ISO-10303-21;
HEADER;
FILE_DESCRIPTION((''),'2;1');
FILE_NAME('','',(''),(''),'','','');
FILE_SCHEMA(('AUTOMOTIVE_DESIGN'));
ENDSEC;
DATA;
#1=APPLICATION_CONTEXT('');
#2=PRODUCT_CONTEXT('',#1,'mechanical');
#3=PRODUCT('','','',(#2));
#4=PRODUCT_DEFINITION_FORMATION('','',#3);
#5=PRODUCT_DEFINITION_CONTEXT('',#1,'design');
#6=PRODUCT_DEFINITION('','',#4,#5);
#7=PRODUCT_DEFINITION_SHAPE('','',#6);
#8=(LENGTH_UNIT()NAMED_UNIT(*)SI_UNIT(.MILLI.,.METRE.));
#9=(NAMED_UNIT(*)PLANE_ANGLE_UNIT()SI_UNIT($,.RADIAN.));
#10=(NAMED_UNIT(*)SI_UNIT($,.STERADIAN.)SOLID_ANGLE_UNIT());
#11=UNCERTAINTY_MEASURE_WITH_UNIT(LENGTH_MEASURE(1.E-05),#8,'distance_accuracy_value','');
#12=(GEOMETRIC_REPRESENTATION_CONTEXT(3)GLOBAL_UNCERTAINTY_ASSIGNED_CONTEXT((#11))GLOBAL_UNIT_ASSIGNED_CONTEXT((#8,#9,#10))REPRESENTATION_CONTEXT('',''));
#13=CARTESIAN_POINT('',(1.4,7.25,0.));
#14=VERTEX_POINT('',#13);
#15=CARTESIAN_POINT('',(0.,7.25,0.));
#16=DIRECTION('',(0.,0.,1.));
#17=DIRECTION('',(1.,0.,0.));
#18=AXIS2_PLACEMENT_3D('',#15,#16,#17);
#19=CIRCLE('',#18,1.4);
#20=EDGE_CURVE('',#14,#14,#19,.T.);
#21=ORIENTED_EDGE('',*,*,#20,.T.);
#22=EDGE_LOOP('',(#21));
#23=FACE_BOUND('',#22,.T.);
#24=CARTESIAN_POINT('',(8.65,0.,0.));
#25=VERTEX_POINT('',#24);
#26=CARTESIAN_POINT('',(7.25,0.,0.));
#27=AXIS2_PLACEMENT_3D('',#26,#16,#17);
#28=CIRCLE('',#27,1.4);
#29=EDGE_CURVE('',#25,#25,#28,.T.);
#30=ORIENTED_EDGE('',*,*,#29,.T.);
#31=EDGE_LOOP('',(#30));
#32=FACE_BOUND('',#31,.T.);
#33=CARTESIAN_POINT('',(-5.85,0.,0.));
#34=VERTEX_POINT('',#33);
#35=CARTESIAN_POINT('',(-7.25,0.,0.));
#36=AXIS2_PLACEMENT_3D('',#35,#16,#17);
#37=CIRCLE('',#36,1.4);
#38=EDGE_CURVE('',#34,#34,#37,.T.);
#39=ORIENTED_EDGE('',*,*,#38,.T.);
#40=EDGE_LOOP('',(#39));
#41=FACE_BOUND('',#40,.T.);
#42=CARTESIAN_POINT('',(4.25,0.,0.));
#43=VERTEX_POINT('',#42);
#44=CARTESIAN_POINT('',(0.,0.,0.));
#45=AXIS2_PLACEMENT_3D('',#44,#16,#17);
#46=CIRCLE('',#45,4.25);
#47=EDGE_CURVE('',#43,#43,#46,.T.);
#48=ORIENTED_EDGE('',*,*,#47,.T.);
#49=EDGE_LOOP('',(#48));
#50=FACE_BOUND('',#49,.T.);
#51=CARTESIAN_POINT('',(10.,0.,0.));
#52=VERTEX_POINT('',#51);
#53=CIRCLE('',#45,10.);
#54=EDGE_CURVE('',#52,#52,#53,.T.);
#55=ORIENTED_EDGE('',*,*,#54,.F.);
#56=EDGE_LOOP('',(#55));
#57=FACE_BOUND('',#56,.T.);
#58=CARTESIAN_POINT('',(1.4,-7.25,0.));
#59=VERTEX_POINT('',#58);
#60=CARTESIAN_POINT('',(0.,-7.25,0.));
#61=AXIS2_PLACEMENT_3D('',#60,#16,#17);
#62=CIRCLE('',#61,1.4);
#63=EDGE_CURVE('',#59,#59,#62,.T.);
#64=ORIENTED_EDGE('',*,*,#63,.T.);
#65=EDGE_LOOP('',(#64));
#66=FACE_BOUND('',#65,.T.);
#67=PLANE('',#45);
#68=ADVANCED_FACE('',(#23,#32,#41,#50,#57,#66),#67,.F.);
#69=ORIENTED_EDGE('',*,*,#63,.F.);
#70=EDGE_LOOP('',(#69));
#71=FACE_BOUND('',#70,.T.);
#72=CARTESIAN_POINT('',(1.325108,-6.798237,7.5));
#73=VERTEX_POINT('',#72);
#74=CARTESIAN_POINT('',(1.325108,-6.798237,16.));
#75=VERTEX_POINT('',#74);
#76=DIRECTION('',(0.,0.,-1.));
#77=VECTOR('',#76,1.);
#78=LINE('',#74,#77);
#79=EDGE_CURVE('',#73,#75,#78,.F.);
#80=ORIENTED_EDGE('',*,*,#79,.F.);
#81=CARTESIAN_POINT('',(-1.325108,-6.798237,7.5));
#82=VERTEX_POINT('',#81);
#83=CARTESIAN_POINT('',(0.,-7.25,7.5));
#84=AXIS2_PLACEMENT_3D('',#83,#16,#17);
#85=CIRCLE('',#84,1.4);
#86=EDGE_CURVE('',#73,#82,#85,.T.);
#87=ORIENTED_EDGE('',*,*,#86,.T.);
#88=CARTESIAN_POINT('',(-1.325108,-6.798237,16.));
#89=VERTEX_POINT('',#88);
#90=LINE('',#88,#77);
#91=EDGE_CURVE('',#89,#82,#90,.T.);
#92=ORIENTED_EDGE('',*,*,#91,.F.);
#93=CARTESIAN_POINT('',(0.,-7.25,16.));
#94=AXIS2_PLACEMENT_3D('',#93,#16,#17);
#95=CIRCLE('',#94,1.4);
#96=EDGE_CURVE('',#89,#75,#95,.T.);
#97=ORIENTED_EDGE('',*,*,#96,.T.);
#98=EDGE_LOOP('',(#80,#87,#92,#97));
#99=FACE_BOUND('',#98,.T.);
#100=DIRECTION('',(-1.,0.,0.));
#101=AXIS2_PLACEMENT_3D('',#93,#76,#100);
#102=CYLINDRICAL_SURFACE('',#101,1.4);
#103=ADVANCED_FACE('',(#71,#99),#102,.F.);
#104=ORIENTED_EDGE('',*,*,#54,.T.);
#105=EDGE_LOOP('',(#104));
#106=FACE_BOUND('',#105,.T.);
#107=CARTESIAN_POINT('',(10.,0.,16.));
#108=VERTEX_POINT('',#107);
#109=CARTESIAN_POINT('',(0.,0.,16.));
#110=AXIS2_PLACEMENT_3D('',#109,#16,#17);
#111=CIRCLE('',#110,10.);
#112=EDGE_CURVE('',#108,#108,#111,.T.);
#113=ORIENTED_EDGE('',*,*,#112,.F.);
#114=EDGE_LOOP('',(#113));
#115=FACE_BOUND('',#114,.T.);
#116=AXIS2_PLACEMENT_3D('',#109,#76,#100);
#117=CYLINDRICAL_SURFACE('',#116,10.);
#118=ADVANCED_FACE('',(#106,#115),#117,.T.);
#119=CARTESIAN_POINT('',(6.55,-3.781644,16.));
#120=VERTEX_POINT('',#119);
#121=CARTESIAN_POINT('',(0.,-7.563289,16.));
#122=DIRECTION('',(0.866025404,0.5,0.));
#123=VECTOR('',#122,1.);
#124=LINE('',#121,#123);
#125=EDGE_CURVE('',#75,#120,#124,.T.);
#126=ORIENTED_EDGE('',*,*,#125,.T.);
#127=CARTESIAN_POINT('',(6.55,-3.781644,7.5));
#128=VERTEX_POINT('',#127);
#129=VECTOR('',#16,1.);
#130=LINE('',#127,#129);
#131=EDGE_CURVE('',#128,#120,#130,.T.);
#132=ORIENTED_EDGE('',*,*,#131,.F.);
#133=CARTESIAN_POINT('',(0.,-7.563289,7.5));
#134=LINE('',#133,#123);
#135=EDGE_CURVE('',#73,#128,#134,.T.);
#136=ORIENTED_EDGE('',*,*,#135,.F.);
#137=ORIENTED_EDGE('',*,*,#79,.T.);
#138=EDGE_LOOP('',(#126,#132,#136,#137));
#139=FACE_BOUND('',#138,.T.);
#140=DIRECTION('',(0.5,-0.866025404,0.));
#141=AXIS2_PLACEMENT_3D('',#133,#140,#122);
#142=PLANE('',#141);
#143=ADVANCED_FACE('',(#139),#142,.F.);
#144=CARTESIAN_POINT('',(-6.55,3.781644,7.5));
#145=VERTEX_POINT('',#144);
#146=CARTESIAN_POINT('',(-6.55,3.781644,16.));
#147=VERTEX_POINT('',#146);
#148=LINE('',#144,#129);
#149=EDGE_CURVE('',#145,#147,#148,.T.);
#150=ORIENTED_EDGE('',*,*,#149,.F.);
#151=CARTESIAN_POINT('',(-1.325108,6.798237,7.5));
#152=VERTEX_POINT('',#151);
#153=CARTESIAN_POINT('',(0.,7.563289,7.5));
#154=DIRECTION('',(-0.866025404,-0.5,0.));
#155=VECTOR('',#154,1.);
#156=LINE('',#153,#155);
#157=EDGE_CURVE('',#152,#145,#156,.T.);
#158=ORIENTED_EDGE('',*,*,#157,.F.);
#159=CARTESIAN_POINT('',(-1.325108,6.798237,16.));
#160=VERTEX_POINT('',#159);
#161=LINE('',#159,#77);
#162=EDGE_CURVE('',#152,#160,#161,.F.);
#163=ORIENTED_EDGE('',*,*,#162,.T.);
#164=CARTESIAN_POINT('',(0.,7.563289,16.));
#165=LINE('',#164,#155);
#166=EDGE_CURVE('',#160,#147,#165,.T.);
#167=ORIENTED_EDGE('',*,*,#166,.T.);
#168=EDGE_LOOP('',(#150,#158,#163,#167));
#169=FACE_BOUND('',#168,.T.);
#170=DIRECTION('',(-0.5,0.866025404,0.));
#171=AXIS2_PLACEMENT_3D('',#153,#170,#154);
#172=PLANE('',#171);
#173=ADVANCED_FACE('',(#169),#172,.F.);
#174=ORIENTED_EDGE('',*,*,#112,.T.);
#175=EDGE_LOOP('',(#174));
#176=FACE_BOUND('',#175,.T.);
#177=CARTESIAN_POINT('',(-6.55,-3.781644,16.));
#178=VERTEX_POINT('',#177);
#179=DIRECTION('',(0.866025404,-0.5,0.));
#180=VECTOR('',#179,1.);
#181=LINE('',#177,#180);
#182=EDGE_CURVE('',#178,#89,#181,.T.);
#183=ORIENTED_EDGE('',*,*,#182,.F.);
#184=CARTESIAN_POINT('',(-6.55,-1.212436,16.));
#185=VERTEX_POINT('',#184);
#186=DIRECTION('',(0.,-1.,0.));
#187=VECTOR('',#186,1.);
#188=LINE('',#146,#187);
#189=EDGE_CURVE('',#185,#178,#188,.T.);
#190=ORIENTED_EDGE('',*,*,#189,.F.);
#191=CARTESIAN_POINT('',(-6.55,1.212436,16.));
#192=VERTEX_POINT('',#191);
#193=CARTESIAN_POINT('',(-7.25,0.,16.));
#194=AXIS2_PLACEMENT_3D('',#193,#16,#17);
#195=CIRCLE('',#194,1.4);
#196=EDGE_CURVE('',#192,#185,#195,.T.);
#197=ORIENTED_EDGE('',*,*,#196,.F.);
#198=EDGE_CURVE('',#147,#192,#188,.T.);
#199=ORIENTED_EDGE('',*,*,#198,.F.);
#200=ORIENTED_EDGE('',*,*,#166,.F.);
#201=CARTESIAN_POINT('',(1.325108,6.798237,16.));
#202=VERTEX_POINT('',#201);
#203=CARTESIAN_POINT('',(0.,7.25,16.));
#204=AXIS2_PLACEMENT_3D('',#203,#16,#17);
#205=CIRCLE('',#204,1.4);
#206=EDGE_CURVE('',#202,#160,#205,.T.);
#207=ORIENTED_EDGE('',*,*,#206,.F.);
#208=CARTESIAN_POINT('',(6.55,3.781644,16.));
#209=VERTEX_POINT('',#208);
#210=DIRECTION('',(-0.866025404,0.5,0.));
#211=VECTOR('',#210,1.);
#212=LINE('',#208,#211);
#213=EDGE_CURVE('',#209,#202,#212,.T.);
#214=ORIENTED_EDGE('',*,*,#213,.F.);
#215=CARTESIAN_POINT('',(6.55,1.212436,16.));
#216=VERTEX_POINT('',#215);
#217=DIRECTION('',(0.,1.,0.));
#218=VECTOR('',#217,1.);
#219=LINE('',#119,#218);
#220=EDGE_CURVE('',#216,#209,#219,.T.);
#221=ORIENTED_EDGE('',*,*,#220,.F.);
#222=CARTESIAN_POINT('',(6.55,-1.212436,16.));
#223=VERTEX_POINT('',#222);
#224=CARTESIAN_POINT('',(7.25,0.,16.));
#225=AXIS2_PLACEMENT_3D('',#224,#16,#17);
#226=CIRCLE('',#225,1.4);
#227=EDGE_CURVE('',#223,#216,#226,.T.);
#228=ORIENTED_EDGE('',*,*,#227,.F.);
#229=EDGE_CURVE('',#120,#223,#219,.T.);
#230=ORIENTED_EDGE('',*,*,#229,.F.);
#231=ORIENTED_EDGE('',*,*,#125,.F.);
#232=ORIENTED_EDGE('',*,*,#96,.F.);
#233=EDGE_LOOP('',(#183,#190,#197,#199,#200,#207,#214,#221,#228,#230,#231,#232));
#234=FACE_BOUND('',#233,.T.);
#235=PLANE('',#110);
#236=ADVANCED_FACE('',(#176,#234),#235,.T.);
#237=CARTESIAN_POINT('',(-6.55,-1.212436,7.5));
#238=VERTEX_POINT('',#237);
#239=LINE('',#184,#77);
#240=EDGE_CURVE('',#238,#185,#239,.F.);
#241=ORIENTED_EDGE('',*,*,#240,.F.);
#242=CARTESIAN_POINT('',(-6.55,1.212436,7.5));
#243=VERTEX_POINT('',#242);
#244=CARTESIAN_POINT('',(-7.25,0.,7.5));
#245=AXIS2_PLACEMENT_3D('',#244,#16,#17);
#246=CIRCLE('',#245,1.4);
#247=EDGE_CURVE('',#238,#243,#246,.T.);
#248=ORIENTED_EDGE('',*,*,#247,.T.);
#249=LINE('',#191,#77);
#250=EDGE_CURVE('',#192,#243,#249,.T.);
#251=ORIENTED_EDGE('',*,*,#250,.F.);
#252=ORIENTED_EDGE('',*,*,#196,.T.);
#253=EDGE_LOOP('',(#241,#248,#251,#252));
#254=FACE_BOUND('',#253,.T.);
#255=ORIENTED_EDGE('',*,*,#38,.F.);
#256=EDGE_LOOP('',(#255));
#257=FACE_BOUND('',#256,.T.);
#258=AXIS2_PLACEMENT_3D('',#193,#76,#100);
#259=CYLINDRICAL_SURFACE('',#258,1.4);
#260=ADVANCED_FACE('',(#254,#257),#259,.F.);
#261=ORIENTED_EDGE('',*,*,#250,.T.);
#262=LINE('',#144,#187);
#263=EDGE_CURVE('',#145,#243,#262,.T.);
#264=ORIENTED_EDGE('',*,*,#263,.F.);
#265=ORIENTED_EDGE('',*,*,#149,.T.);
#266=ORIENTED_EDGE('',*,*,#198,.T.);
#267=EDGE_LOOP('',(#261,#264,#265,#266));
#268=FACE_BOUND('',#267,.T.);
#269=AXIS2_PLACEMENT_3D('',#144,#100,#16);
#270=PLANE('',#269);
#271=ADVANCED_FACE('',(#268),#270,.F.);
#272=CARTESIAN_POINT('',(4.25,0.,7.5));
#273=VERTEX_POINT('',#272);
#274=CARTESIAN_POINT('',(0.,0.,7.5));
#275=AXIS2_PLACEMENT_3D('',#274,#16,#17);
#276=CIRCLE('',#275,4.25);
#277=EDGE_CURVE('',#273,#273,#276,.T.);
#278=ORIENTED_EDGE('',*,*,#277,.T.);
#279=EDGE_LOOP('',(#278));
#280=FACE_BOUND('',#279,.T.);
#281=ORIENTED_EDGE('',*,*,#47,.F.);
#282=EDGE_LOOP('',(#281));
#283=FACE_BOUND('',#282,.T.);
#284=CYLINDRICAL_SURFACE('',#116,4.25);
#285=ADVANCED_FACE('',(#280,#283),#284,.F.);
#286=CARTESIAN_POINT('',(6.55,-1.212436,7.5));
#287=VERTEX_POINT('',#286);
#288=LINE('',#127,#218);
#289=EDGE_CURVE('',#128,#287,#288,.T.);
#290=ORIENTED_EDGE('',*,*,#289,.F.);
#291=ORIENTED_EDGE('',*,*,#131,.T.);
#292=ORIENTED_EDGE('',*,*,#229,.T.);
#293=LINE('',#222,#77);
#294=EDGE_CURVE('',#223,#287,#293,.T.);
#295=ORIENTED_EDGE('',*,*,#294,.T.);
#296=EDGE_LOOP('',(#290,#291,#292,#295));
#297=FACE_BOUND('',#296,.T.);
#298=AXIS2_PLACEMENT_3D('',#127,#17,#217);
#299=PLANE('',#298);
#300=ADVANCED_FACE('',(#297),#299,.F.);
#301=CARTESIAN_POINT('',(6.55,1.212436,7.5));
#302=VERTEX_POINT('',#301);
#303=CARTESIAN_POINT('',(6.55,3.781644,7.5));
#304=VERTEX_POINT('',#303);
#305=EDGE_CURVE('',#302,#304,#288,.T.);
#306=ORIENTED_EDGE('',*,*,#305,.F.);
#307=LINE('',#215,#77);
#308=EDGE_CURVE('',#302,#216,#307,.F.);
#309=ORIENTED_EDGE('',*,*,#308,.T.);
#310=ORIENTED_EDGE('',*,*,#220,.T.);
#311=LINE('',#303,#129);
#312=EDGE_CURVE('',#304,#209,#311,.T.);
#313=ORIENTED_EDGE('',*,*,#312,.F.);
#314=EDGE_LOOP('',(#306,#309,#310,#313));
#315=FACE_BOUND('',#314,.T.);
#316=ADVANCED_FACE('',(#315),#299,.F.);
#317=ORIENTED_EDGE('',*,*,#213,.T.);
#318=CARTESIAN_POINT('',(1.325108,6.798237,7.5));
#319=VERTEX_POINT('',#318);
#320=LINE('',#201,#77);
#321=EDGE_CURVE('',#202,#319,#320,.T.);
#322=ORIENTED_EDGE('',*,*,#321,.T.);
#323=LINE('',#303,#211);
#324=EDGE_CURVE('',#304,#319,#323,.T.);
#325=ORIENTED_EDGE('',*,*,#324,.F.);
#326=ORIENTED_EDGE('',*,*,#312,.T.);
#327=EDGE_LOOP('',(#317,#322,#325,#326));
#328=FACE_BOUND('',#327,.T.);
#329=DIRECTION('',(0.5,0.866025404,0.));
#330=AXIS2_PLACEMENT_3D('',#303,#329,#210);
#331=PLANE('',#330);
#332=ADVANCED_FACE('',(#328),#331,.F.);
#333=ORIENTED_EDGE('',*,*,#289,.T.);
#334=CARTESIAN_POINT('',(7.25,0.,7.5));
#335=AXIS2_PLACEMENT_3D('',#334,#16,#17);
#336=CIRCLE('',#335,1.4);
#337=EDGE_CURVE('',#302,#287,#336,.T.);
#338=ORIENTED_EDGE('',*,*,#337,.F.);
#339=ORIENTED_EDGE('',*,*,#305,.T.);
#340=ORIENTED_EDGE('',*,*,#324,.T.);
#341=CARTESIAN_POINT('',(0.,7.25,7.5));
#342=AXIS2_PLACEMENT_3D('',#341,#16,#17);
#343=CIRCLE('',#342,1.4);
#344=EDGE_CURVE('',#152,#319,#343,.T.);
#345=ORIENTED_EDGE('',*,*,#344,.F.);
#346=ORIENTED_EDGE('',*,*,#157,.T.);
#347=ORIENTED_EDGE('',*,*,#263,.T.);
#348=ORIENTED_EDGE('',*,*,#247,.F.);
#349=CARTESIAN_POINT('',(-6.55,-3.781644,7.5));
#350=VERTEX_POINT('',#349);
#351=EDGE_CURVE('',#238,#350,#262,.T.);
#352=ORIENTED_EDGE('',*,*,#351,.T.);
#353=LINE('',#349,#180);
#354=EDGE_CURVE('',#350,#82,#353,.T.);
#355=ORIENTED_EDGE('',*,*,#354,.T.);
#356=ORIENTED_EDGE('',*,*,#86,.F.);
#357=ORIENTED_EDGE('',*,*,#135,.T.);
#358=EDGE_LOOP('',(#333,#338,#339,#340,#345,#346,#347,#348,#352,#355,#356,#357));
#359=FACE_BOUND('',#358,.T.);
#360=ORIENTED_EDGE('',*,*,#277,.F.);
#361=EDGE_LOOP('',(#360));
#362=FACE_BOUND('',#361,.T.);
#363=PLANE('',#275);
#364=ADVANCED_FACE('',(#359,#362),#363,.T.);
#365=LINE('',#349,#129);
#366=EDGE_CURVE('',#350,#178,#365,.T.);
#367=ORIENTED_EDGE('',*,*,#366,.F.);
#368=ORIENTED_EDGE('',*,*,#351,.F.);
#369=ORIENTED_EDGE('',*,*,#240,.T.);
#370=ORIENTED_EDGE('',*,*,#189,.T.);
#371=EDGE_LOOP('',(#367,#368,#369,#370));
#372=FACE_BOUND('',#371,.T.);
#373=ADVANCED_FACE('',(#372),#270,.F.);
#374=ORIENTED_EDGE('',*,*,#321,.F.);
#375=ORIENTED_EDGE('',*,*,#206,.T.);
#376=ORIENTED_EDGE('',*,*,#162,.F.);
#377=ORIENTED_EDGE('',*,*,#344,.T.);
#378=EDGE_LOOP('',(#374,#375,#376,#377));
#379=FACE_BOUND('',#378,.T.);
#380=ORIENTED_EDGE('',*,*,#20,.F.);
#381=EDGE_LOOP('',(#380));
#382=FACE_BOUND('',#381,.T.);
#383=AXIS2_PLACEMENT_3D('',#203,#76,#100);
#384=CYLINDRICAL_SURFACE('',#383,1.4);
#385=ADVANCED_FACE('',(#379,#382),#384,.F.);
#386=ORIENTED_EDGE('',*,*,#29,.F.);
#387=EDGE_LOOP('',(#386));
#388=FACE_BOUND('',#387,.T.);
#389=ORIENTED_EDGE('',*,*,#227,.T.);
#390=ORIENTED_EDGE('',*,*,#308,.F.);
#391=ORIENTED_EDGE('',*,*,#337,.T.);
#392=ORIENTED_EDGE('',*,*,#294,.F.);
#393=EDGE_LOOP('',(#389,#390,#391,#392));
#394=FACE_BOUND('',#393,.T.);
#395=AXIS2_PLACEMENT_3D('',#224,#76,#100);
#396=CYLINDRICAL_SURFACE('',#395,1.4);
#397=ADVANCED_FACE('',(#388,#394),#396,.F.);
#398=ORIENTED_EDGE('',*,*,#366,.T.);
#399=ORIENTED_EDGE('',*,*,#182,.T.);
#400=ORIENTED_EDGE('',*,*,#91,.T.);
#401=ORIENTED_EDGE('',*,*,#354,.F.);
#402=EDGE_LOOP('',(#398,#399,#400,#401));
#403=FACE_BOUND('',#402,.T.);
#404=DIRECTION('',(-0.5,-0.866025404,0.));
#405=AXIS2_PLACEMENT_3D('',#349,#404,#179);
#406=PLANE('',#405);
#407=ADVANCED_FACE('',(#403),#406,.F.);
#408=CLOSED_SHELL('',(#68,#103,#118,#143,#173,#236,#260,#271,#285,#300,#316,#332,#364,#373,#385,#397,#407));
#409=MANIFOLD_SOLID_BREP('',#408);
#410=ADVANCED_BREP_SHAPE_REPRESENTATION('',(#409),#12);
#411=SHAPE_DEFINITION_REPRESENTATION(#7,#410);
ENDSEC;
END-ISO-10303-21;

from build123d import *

# Parameters (mm, degrees)
SKETCH1_R           = 10
SKETCH1_R_2         = 1.4
SKETCH1_R_3         = 4.25
BOSS_EXTRUDE1_DEPTH = 16
CUT_EXTRUDE1_DEPTH  = 8.5


with BuildPart() as part:
    # Sketch1 → Boss-Extrude1 (new body)
    with BuildSketch(Plane.XY):
        Circle(SKETCH1_R)
        with Locations((0, 7.25)):
            Circle(SKETCH1_R_2, mode=Mode.SUBTRACT)
        Circle(SKETCH1_R_3, mode=Mode.SUBTRACT)
        with Locations((7.25, 0)):
            Circle(SKETCH1_R_2, mode=Mode.SUBTRACT)
        with Locations((0, -7.25)):
            Circle(SKETCH1_R_2, mode=Mode.SUBTRACT)
        with Locations((-7.25, 0)):
            Circle(SKETCH1_R_2, mode=Mode.SUBTRACT)
    extrude(amount=BOSS_EXTRUDE1_DEPTH)

    # Sketch2 → Cut-Extrude1 (cut)
    with BuildSketch(Plane.XY.offset(16)):
        Polygon((0, 7.563288526), (-6.55, 3.781644263), (-6.55, -3.781644263), (0, -7.563288526), (6.55, -3.781644263), (6.55, 3.781644263), align=None)
    extrude(amount=-CUT_EXTRUDE1_DEPTH, mode=Mode.SUBTRACT)


solid = part.part
